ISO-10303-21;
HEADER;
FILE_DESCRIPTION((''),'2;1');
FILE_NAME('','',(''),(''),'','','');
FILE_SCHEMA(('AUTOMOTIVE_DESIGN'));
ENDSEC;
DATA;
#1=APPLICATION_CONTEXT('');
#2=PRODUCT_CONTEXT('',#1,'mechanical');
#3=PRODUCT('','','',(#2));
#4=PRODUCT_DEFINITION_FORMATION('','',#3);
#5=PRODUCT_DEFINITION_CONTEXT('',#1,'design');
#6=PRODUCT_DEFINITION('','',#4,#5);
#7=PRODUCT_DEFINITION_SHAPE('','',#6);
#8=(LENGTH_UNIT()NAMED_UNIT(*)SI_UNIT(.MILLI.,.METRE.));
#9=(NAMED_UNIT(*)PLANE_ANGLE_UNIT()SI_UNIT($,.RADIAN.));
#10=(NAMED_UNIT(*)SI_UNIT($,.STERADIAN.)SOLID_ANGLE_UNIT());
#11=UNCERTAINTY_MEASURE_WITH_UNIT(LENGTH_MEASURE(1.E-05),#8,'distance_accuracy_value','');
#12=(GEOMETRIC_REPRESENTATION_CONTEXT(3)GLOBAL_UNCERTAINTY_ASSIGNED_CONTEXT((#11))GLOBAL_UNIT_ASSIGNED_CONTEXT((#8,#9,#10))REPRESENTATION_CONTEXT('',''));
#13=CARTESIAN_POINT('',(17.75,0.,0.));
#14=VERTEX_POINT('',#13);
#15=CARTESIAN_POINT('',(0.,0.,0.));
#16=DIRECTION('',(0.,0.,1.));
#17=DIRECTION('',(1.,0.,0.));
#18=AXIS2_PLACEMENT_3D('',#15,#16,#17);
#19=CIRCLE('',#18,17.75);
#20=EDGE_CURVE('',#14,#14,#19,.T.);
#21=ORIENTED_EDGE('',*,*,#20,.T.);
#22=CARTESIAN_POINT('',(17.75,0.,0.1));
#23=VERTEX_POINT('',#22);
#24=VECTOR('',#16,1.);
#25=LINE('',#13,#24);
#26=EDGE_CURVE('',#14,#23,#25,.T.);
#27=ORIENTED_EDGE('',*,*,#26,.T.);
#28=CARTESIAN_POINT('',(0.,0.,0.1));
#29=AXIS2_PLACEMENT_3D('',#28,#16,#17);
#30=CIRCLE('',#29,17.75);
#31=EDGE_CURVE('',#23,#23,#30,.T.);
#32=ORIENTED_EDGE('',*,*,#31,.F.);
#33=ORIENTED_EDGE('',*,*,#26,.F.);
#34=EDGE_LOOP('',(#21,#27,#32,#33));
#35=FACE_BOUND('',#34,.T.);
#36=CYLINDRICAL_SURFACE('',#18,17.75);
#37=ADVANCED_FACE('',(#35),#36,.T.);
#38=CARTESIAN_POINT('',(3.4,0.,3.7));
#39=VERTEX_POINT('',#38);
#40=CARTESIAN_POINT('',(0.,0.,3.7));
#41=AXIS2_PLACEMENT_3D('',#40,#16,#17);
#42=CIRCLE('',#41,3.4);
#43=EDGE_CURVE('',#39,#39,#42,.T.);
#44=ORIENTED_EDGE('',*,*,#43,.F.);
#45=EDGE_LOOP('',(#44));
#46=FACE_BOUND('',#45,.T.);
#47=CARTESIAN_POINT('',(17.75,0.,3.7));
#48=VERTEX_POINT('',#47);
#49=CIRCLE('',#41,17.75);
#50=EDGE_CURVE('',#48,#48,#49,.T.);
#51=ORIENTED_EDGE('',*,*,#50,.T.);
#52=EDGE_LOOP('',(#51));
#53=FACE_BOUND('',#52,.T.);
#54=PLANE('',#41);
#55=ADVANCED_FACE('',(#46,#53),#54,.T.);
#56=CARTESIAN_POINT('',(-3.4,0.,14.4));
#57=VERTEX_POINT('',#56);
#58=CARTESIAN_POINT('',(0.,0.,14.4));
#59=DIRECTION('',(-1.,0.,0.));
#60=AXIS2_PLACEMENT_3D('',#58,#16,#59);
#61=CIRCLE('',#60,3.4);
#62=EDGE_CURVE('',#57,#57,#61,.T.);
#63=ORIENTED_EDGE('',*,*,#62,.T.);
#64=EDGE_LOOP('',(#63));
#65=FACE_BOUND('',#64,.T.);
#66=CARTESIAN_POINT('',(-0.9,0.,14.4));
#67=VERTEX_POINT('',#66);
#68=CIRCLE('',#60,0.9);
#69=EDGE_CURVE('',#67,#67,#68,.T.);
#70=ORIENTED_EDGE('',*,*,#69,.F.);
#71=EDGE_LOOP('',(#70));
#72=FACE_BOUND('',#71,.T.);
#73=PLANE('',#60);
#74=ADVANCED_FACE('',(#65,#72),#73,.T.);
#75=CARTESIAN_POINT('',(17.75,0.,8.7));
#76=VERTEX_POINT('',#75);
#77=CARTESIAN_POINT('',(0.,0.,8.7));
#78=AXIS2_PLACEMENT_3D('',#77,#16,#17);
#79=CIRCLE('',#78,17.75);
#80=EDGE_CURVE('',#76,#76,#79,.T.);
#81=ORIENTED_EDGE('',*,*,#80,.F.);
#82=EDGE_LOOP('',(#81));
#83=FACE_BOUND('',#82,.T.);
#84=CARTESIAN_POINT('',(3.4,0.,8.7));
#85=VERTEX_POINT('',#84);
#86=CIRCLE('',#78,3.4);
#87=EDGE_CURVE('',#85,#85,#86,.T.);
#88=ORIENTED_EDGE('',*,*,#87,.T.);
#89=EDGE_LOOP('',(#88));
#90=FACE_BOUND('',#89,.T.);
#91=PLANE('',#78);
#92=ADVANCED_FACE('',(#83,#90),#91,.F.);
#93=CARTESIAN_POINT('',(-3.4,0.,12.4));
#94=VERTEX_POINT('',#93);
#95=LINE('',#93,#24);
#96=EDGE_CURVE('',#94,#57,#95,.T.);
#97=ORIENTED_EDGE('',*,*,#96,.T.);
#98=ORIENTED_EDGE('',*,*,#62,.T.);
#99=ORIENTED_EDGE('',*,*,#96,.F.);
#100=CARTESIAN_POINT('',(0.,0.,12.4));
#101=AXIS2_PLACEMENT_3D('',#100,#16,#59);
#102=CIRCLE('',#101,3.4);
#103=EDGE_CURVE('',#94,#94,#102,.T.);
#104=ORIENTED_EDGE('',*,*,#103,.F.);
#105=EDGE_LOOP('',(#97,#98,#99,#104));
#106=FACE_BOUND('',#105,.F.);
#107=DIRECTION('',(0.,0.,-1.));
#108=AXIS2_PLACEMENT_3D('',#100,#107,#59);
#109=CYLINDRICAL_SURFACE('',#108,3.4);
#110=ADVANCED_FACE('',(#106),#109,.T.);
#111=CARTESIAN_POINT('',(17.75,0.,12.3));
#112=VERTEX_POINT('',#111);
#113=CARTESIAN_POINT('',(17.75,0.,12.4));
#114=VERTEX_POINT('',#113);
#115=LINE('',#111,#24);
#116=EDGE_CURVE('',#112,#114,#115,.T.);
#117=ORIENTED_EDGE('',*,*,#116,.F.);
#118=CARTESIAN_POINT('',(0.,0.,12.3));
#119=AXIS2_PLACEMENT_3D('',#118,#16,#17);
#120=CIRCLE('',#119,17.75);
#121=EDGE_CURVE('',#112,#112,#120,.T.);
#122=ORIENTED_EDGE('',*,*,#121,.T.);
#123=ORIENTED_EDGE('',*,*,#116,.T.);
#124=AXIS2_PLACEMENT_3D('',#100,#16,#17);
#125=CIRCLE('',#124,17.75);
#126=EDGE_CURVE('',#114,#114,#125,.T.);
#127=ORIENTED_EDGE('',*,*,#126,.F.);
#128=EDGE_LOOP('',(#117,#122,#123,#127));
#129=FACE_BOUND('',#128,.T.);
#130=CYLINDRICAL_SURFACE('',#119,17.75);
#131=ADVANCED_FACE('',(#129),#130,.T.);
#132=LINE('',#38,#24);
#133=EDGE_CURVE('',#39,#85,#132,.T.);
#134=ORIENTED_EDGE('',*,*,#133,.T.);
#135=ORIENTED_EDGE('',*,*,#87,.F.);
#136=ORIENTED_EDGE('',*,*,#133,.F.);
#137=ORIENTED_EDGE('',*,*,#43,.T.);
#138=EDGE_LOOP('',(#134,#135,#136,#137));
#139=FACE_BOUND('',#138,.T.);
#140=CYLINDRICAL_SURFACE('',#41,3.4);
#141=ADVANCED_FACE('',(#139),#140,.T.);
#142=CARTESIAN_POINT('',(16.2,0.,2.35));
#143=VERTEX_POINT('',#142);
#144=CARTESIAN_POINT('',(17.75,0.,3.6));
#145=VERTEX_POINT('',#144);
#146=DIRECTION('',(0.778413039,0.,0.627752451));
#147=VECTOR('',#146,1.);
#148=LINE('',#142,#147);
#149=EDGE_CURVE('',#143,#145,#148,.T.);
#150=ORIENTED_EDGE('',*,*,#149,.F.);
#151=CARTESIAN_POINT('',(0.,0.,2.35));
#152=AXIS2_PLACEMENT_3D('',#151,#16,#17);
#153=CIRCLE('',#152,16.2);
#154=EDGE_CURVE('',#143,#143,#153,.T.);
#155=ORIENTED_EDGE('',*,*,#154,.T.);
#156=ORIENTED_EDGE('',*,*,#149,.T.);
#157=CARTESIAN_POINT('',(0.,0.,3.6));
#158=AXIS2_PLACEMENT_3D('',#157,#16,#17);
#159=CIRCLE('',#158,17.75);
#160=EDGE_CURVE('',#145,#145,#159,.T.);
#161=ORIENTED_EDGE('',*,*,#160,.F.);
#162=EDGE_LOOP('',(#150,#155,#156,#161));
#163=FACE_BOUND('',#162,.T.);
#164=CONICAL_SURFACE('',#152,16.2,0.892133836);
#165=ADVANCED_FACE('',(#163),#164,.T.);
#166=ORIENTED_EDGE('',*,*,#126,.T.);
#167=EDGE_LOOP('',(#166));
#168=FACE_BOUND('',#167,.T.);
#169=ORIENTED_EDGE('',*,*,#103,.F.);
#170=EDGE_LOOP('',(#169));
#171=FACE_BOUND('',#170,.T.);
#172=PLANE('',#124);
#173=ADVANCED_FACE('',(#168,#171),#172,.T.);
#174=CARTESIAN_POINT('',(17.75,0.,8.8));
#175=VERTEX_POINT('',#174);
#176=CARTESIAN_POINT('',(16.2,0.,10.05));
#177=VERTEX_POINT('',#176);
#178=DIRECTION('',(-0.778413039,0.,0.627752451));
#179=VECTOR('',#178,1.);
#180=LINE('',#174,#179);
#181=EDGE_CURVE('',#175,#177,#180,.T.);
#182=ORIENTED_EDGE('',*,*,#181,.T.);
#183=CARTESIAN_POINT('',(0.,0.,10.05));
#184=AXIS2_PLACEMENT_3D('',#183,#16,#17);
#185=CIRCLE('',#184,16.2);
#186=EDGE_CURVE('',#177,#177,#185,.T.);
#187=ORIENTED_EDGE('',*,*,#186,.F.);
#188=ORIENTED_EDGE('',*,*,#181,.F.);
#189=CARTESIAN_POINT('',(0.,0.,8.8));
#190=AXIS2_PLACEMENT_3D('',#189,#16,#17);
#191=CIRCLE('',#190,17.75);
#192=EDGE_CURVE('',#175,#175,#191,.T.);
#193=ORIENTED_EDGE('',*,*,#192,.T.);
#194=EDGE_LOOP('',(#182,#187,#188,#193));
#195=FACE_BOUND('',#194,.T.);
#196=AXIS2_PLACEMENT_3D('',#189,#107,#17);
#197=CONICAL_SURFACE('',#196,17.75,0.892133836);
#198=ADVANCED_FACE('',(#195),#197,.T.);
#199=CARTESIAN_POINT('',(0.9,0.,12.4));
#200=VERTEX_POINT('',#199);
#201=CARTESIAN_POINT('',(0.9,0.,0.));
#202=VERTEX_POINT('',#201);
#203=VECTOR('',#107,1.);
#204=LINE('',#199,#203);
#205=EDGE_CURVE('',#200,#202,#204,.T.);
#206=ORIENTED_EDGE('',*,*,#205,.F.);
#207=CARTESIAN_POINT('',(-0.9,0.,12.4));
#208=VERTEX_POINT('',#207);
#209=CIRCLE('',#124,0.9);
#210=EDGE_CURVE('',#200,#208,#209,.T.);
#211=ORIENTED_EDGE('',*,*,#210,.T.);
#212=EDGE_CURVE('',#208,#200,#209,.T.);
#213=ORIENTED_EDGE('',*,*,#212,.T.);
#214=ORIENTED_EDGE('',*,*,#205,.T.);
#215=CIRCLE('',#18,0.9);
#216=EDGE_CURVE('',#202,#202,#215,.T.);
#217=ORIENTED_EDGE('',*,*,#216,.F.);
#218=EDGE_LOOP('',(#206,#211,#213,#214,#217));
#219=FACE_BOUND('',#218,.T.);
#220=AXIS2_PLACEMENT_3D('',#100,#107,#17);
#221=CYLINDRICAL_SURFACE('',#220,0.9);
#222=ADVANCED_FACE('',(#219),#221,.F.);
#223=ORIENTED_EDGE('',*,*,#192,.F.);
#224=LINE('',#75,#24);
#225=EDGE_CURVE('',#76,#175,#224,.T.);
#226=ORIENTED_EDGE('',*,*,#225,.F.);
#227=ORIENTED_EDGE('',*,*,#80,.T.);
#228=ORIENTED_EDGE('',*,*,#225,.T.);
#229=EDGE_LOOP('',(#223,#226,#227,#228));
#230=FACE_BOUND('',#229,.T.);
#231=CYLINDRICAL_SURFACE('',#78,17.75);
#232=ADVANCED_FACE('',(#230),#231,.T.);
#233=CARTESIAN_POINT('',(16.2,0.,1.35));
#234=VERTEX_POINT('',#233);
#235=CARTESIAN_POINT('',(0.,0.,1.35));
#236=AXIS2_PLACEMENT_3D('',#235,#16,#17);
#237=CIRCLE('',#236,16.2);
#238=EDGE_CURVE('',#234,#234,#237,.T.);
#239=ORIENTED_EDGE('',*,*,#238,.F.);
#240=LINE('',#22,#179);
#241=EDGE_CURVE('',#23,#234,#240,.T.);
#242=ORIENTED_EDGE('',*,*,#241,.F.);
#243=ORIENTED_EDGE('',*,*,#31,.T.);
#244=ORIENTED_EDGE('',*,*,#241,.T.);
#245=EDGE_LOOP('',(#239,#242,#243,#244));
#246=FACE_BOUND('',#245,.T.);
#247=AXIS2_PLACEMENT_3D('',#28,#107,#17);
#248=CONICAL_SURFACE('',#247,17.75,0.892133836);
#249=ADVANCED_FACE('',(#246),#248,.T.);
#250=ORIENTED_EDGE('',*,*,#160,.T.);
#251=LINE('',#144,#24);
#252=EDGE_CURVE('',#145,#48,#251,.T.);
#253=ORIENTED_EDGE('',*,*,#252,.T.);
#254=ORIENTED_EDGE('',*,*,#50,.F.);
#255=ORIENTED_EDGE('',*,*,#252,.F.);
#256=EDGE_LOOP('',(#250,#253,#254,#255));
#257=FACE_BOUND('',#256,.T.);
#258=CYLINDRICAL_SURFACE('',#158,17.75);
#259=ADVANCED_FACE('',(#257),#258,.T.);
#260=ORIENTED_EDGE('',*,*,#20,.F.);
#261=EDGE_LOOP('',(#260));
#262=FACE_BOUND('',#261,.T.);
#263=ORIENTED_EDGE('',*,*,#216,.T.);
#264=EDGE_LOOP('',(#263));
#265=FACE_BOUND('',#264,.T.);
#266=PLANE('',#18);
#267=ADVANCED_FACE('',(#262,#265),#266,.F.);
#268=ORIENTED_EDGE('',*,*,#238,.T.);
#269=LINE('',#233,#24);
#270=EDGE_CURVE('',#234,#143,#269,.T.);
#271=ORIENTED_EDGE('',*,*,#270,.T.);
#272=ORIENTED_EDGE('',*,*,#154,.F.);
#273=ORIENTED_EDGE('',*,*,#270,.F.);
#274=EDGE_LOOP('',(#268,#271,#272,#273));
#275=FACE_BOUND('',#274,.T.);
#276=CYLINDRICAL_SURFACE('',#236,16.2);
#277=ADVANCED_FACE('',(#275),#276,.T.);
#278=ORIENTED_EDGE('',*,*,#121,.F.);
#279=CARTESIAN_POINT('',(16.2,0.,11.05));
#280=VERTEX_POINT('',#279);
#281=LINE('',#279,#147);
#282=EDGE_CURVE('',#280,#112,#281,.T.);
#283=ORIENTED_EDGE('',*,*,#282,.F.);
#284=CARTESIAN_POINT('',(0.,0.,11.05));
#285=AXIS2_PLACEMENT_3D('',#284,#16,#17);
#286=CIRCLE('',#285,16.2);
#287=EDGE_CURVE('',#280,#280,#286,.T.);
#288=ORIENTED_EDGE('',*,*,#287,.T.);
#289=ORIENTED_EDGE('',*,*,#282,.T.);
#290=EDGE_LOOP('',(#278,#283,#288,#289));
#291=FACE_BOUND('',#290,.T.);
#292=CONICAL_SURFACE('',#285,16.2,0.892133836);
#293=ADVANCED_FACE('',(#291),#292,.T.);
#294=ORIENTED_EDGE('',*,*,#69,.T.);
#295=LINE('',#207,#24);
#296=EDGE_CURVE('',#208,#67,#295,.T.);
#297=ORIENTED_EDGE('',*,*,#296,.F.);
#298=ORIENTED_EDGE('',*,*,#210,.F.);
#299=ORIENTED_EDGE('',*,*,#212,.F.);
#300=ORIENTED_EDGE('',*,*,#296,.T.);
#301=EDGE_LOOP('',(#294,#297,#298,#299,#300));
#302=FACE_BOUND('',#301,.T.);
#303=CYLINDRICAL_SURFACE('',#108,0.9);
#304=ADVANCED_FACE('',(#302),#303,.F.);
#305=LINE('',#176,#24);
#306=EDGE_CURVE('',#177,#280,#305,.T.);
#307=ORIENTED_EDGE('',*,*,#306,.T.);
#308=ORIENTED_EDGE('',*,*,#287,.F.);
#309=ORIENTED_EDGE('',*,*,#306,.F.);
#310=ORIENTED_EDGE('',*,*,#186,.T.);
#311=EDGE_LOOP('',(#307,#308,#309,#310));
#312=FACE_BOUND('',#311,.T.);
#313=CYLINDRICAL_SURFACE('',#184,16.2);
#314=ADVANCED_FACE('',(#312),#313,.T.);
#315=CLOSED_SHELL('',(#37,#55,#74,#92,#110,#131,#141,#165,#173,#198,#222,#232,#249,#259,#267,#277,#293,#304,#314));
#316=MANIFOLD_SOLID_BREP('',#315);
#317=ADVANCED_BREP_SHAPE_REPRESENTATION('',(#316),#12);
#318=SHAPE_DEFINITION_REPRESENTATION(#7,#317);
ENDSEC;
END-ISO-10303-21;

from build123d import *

# Parameters (mm, degrees)
SKETCH001_R   = 3.4
SKETCH001_R_2 = 0.9
PAD_DEPTH     = 2


with BuildPart() as part:
    # Sketch → Revolution (revolve)
    with BuildSketch(Plane.XZ):
        Polygon((0.9, 12.4), (0.9, 0), (17.75, 0), (17.75, 0.1), (16.2, 1.35), (16.2, 2.35), (17.75, 3.6), (17.75, 3.7), (3.4, 3.7), (3.4, 8.7), (17.75, 8.7), (17.75, 8.8), (16.2, 10.05), (16.2, 11.05), (17.75, 12.3), (17.75, 12.4), align=None)
    revolve(axis=Axis((0, 0, 0), (0, 0, 1)))

    # Sketch001 (on Face1 of Revolution) → Pad (new body)
    with BuildSketch(Plane(origin=(0, 0, 12.4), x_dir=(-1, 0, 0), z_dir=(0, 0, 1))):
        Circle(SKETCH001_R)
        Circle(SKETCH001_R_2, mode=Mode.SUBTRACT)
    extrude(amount=PAD_DEPTH)


solid = part.part
